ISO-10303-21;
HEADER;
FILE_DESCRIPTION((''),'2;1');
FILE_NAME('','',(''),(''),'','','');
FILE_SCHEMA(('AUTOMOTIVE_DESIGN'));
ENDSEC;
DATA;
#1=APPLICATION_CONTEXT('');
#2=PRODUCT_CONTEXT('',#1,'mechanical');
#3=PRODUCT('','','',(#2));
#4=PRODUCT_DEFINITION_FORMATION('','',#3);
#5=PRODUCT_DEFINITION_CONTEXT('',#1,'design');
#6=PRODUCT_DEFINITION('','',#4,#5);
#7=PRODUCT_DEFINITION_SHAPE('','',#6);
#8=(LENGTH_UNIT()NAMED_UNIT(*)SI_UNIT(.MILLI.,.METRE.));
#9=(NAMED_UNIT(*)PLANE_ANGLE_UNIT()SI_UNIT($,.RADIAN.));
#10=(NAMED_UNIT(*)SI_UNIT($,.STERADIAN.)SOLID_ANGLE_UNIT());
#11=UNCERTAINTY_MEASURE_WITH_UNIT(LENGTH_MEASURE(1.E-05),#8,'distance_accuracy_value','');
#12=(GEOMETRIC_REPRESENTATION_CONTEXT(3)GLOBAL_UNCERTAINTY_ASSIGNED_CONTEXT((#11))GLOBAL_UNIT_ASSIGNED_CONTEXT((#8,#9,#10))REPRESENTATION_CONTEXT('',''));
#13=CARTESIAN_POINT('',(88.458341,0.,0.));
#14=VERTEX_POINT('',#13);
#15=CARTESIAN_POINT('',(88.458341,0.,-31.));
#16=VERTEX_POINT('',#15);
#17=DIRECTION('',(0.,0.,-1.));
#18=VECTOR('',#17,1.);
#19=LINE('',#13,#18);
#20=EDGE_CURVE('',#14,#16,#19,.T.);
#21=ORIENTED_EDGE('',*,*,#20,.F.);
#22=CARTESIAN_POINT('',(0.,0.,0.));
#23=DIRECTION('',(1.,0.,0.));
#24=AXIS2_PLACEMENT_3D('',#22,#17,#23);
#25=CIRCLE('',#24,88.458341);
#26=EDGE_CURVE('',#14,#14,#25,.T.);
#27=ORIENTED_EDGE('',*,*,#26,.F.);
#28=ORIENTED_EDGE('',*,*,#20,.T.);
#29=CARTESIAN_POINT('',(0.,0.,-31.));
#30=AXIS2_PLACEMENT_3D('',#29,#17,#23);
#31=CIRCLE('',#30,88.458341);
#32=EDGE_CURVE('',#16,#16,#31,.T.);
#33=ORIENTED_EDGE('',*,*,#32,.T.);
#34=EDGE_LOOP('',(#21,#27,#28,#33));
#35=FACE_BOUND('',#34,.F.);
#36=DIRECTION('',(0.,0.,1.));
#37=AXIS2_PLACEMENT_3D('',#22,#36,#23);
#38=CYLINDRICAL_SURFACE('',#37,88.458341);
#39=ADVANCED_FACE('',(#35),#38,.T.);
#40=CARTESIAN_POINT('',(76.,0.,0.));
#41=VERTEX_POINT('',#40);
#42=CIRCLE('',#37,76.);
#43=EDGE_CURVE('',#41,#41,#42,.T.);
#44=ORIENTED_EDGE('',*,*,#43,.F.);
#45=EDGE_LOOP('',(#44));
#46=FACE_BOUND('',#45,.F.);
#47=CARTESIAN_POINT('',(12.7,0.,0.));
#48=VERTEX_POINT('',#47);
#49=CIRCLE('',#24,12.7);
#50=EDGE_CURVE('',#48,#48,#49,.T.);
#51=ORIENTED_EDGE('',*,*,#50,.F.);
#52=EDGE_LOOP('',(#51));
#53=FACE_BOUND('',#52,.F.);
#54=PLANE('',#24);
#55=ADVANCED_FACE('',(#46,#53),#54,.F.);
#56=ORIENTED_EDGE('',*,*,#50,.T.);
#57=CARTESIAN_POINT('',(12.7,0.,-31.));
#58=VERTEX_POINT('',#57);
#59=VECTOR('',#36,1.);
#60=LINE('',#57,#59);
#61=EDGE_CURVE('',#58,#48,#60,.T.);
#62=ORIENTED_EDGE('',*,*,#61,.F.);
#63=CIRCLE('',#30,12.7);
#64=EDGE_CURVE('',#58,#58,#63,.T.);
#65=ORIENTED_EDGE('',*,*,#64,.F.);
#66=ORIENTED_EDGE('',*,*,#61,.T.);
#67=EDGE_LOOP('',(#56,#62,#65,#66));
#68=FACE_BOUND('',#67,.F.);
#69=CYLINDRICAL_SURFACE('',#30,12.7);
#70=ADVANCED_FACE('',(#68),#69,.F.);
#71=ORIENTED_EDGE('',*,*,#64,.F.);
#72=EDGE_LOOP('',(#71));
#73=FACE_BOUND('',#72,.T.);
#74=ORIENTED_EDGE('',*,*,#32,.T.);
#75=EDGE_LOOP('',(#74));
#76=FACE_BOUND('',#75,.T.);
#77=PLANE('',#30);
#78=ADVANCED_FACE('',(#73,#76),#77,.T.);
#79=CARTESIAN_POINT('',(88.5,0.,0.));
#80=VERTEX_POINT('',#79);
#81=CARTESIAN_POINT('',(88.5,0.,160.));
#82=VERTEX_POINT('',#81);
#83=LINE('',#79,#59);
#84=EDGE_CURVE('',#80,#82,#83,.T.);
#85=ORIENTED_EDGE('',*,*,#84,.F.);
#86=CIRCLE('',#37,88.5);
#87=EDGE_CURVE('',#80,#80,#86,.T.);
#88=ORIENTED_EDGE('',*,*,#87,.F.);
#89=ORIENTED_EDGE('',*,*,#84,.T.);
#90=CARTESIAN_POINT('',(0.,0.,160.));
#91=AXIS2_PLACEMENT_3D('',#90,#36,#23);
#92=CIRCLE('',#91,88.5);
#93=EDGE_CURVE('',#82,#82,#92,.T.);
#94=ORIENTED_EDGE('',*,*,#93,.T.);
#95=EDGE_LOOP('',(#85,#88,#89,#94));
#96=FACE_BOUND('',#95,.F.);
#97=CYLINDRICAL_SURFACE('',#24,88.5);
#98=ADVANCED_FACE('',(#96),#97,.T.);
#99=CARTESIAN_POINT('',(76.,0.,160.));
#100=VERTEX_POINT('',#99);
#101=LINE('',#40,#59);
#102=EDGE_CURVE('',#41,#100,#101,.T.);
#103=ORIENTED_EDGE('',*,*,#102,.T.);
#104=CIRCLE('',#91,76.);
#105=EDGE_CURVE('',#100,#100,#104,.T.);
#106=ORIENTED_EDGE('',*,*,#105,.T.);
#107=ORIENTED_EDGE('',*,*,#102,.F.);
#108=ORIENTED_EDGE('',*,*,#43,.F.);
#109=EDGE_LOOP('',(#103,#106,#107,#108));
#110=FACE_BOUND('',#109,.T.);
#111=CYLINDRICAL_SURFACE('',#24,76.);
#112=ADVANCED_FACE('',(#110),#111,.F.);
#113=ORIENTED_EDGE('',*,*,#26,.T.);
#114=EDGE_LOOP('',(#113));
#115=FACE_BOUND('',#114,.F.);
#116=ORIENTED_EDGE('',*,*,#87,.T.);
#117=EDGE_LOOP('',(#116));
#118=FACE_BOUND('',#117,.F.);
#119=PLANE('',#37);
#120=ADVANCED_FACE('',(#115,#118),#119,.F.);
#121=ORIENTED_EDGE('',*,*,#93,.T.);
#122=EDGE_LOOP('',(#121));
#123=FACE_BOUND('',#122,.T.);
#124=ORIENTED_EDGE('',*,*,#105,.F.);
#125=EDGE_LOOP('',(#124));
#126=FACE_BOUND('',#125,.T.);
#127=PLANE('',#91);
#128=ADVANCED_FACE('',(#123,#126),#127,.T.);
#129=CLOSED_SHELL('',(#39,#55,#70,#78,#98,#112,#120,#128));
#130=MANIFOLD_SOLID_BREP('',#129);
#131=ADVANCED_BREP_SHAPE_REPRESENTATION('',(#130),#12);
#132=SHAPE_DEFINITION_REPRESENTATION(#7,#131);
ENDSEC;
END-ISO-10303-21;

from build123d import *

# Parameters (mm, degrees)
F0_R     = 88.5
F0_R_2   = 76
F1_DEPTH = 160
F2_R     = 88.458341
F3_DEPTH = 31
F4_R     = 12.7
F5_DEPTH = 31


with BuildPart() as f1:
    # F0 (on Top) → F1 (new body)
    with BuildSketch(Plane.XY):
        Circle(F0_R)
        Circle(F0_R_2, mode=Mode.SUBTRACT)
    extrude(amount=F1_DEPTH)

    # F2 (on face) → F3 (join)
    with BuildSketch(Plane(origin=(0, 0, 0), x_dir=(1, 0, 0), z_dir=(0, 0, -1))):
        Circle(F2_R)
    extrude(amount=F3_DEPTH)

    # F4 (on face) → F5 (cut, through all)
    with BuildSketch(Plane(origin=(0, 0, -31), x_dir=(1, 0, 0), z_dir=(0, 0, -1))):
        Circle(F4_R)
    extrude(amount=-F5_DEPTH, mode=Mode.SUBTRACT)


solid = f1.part
